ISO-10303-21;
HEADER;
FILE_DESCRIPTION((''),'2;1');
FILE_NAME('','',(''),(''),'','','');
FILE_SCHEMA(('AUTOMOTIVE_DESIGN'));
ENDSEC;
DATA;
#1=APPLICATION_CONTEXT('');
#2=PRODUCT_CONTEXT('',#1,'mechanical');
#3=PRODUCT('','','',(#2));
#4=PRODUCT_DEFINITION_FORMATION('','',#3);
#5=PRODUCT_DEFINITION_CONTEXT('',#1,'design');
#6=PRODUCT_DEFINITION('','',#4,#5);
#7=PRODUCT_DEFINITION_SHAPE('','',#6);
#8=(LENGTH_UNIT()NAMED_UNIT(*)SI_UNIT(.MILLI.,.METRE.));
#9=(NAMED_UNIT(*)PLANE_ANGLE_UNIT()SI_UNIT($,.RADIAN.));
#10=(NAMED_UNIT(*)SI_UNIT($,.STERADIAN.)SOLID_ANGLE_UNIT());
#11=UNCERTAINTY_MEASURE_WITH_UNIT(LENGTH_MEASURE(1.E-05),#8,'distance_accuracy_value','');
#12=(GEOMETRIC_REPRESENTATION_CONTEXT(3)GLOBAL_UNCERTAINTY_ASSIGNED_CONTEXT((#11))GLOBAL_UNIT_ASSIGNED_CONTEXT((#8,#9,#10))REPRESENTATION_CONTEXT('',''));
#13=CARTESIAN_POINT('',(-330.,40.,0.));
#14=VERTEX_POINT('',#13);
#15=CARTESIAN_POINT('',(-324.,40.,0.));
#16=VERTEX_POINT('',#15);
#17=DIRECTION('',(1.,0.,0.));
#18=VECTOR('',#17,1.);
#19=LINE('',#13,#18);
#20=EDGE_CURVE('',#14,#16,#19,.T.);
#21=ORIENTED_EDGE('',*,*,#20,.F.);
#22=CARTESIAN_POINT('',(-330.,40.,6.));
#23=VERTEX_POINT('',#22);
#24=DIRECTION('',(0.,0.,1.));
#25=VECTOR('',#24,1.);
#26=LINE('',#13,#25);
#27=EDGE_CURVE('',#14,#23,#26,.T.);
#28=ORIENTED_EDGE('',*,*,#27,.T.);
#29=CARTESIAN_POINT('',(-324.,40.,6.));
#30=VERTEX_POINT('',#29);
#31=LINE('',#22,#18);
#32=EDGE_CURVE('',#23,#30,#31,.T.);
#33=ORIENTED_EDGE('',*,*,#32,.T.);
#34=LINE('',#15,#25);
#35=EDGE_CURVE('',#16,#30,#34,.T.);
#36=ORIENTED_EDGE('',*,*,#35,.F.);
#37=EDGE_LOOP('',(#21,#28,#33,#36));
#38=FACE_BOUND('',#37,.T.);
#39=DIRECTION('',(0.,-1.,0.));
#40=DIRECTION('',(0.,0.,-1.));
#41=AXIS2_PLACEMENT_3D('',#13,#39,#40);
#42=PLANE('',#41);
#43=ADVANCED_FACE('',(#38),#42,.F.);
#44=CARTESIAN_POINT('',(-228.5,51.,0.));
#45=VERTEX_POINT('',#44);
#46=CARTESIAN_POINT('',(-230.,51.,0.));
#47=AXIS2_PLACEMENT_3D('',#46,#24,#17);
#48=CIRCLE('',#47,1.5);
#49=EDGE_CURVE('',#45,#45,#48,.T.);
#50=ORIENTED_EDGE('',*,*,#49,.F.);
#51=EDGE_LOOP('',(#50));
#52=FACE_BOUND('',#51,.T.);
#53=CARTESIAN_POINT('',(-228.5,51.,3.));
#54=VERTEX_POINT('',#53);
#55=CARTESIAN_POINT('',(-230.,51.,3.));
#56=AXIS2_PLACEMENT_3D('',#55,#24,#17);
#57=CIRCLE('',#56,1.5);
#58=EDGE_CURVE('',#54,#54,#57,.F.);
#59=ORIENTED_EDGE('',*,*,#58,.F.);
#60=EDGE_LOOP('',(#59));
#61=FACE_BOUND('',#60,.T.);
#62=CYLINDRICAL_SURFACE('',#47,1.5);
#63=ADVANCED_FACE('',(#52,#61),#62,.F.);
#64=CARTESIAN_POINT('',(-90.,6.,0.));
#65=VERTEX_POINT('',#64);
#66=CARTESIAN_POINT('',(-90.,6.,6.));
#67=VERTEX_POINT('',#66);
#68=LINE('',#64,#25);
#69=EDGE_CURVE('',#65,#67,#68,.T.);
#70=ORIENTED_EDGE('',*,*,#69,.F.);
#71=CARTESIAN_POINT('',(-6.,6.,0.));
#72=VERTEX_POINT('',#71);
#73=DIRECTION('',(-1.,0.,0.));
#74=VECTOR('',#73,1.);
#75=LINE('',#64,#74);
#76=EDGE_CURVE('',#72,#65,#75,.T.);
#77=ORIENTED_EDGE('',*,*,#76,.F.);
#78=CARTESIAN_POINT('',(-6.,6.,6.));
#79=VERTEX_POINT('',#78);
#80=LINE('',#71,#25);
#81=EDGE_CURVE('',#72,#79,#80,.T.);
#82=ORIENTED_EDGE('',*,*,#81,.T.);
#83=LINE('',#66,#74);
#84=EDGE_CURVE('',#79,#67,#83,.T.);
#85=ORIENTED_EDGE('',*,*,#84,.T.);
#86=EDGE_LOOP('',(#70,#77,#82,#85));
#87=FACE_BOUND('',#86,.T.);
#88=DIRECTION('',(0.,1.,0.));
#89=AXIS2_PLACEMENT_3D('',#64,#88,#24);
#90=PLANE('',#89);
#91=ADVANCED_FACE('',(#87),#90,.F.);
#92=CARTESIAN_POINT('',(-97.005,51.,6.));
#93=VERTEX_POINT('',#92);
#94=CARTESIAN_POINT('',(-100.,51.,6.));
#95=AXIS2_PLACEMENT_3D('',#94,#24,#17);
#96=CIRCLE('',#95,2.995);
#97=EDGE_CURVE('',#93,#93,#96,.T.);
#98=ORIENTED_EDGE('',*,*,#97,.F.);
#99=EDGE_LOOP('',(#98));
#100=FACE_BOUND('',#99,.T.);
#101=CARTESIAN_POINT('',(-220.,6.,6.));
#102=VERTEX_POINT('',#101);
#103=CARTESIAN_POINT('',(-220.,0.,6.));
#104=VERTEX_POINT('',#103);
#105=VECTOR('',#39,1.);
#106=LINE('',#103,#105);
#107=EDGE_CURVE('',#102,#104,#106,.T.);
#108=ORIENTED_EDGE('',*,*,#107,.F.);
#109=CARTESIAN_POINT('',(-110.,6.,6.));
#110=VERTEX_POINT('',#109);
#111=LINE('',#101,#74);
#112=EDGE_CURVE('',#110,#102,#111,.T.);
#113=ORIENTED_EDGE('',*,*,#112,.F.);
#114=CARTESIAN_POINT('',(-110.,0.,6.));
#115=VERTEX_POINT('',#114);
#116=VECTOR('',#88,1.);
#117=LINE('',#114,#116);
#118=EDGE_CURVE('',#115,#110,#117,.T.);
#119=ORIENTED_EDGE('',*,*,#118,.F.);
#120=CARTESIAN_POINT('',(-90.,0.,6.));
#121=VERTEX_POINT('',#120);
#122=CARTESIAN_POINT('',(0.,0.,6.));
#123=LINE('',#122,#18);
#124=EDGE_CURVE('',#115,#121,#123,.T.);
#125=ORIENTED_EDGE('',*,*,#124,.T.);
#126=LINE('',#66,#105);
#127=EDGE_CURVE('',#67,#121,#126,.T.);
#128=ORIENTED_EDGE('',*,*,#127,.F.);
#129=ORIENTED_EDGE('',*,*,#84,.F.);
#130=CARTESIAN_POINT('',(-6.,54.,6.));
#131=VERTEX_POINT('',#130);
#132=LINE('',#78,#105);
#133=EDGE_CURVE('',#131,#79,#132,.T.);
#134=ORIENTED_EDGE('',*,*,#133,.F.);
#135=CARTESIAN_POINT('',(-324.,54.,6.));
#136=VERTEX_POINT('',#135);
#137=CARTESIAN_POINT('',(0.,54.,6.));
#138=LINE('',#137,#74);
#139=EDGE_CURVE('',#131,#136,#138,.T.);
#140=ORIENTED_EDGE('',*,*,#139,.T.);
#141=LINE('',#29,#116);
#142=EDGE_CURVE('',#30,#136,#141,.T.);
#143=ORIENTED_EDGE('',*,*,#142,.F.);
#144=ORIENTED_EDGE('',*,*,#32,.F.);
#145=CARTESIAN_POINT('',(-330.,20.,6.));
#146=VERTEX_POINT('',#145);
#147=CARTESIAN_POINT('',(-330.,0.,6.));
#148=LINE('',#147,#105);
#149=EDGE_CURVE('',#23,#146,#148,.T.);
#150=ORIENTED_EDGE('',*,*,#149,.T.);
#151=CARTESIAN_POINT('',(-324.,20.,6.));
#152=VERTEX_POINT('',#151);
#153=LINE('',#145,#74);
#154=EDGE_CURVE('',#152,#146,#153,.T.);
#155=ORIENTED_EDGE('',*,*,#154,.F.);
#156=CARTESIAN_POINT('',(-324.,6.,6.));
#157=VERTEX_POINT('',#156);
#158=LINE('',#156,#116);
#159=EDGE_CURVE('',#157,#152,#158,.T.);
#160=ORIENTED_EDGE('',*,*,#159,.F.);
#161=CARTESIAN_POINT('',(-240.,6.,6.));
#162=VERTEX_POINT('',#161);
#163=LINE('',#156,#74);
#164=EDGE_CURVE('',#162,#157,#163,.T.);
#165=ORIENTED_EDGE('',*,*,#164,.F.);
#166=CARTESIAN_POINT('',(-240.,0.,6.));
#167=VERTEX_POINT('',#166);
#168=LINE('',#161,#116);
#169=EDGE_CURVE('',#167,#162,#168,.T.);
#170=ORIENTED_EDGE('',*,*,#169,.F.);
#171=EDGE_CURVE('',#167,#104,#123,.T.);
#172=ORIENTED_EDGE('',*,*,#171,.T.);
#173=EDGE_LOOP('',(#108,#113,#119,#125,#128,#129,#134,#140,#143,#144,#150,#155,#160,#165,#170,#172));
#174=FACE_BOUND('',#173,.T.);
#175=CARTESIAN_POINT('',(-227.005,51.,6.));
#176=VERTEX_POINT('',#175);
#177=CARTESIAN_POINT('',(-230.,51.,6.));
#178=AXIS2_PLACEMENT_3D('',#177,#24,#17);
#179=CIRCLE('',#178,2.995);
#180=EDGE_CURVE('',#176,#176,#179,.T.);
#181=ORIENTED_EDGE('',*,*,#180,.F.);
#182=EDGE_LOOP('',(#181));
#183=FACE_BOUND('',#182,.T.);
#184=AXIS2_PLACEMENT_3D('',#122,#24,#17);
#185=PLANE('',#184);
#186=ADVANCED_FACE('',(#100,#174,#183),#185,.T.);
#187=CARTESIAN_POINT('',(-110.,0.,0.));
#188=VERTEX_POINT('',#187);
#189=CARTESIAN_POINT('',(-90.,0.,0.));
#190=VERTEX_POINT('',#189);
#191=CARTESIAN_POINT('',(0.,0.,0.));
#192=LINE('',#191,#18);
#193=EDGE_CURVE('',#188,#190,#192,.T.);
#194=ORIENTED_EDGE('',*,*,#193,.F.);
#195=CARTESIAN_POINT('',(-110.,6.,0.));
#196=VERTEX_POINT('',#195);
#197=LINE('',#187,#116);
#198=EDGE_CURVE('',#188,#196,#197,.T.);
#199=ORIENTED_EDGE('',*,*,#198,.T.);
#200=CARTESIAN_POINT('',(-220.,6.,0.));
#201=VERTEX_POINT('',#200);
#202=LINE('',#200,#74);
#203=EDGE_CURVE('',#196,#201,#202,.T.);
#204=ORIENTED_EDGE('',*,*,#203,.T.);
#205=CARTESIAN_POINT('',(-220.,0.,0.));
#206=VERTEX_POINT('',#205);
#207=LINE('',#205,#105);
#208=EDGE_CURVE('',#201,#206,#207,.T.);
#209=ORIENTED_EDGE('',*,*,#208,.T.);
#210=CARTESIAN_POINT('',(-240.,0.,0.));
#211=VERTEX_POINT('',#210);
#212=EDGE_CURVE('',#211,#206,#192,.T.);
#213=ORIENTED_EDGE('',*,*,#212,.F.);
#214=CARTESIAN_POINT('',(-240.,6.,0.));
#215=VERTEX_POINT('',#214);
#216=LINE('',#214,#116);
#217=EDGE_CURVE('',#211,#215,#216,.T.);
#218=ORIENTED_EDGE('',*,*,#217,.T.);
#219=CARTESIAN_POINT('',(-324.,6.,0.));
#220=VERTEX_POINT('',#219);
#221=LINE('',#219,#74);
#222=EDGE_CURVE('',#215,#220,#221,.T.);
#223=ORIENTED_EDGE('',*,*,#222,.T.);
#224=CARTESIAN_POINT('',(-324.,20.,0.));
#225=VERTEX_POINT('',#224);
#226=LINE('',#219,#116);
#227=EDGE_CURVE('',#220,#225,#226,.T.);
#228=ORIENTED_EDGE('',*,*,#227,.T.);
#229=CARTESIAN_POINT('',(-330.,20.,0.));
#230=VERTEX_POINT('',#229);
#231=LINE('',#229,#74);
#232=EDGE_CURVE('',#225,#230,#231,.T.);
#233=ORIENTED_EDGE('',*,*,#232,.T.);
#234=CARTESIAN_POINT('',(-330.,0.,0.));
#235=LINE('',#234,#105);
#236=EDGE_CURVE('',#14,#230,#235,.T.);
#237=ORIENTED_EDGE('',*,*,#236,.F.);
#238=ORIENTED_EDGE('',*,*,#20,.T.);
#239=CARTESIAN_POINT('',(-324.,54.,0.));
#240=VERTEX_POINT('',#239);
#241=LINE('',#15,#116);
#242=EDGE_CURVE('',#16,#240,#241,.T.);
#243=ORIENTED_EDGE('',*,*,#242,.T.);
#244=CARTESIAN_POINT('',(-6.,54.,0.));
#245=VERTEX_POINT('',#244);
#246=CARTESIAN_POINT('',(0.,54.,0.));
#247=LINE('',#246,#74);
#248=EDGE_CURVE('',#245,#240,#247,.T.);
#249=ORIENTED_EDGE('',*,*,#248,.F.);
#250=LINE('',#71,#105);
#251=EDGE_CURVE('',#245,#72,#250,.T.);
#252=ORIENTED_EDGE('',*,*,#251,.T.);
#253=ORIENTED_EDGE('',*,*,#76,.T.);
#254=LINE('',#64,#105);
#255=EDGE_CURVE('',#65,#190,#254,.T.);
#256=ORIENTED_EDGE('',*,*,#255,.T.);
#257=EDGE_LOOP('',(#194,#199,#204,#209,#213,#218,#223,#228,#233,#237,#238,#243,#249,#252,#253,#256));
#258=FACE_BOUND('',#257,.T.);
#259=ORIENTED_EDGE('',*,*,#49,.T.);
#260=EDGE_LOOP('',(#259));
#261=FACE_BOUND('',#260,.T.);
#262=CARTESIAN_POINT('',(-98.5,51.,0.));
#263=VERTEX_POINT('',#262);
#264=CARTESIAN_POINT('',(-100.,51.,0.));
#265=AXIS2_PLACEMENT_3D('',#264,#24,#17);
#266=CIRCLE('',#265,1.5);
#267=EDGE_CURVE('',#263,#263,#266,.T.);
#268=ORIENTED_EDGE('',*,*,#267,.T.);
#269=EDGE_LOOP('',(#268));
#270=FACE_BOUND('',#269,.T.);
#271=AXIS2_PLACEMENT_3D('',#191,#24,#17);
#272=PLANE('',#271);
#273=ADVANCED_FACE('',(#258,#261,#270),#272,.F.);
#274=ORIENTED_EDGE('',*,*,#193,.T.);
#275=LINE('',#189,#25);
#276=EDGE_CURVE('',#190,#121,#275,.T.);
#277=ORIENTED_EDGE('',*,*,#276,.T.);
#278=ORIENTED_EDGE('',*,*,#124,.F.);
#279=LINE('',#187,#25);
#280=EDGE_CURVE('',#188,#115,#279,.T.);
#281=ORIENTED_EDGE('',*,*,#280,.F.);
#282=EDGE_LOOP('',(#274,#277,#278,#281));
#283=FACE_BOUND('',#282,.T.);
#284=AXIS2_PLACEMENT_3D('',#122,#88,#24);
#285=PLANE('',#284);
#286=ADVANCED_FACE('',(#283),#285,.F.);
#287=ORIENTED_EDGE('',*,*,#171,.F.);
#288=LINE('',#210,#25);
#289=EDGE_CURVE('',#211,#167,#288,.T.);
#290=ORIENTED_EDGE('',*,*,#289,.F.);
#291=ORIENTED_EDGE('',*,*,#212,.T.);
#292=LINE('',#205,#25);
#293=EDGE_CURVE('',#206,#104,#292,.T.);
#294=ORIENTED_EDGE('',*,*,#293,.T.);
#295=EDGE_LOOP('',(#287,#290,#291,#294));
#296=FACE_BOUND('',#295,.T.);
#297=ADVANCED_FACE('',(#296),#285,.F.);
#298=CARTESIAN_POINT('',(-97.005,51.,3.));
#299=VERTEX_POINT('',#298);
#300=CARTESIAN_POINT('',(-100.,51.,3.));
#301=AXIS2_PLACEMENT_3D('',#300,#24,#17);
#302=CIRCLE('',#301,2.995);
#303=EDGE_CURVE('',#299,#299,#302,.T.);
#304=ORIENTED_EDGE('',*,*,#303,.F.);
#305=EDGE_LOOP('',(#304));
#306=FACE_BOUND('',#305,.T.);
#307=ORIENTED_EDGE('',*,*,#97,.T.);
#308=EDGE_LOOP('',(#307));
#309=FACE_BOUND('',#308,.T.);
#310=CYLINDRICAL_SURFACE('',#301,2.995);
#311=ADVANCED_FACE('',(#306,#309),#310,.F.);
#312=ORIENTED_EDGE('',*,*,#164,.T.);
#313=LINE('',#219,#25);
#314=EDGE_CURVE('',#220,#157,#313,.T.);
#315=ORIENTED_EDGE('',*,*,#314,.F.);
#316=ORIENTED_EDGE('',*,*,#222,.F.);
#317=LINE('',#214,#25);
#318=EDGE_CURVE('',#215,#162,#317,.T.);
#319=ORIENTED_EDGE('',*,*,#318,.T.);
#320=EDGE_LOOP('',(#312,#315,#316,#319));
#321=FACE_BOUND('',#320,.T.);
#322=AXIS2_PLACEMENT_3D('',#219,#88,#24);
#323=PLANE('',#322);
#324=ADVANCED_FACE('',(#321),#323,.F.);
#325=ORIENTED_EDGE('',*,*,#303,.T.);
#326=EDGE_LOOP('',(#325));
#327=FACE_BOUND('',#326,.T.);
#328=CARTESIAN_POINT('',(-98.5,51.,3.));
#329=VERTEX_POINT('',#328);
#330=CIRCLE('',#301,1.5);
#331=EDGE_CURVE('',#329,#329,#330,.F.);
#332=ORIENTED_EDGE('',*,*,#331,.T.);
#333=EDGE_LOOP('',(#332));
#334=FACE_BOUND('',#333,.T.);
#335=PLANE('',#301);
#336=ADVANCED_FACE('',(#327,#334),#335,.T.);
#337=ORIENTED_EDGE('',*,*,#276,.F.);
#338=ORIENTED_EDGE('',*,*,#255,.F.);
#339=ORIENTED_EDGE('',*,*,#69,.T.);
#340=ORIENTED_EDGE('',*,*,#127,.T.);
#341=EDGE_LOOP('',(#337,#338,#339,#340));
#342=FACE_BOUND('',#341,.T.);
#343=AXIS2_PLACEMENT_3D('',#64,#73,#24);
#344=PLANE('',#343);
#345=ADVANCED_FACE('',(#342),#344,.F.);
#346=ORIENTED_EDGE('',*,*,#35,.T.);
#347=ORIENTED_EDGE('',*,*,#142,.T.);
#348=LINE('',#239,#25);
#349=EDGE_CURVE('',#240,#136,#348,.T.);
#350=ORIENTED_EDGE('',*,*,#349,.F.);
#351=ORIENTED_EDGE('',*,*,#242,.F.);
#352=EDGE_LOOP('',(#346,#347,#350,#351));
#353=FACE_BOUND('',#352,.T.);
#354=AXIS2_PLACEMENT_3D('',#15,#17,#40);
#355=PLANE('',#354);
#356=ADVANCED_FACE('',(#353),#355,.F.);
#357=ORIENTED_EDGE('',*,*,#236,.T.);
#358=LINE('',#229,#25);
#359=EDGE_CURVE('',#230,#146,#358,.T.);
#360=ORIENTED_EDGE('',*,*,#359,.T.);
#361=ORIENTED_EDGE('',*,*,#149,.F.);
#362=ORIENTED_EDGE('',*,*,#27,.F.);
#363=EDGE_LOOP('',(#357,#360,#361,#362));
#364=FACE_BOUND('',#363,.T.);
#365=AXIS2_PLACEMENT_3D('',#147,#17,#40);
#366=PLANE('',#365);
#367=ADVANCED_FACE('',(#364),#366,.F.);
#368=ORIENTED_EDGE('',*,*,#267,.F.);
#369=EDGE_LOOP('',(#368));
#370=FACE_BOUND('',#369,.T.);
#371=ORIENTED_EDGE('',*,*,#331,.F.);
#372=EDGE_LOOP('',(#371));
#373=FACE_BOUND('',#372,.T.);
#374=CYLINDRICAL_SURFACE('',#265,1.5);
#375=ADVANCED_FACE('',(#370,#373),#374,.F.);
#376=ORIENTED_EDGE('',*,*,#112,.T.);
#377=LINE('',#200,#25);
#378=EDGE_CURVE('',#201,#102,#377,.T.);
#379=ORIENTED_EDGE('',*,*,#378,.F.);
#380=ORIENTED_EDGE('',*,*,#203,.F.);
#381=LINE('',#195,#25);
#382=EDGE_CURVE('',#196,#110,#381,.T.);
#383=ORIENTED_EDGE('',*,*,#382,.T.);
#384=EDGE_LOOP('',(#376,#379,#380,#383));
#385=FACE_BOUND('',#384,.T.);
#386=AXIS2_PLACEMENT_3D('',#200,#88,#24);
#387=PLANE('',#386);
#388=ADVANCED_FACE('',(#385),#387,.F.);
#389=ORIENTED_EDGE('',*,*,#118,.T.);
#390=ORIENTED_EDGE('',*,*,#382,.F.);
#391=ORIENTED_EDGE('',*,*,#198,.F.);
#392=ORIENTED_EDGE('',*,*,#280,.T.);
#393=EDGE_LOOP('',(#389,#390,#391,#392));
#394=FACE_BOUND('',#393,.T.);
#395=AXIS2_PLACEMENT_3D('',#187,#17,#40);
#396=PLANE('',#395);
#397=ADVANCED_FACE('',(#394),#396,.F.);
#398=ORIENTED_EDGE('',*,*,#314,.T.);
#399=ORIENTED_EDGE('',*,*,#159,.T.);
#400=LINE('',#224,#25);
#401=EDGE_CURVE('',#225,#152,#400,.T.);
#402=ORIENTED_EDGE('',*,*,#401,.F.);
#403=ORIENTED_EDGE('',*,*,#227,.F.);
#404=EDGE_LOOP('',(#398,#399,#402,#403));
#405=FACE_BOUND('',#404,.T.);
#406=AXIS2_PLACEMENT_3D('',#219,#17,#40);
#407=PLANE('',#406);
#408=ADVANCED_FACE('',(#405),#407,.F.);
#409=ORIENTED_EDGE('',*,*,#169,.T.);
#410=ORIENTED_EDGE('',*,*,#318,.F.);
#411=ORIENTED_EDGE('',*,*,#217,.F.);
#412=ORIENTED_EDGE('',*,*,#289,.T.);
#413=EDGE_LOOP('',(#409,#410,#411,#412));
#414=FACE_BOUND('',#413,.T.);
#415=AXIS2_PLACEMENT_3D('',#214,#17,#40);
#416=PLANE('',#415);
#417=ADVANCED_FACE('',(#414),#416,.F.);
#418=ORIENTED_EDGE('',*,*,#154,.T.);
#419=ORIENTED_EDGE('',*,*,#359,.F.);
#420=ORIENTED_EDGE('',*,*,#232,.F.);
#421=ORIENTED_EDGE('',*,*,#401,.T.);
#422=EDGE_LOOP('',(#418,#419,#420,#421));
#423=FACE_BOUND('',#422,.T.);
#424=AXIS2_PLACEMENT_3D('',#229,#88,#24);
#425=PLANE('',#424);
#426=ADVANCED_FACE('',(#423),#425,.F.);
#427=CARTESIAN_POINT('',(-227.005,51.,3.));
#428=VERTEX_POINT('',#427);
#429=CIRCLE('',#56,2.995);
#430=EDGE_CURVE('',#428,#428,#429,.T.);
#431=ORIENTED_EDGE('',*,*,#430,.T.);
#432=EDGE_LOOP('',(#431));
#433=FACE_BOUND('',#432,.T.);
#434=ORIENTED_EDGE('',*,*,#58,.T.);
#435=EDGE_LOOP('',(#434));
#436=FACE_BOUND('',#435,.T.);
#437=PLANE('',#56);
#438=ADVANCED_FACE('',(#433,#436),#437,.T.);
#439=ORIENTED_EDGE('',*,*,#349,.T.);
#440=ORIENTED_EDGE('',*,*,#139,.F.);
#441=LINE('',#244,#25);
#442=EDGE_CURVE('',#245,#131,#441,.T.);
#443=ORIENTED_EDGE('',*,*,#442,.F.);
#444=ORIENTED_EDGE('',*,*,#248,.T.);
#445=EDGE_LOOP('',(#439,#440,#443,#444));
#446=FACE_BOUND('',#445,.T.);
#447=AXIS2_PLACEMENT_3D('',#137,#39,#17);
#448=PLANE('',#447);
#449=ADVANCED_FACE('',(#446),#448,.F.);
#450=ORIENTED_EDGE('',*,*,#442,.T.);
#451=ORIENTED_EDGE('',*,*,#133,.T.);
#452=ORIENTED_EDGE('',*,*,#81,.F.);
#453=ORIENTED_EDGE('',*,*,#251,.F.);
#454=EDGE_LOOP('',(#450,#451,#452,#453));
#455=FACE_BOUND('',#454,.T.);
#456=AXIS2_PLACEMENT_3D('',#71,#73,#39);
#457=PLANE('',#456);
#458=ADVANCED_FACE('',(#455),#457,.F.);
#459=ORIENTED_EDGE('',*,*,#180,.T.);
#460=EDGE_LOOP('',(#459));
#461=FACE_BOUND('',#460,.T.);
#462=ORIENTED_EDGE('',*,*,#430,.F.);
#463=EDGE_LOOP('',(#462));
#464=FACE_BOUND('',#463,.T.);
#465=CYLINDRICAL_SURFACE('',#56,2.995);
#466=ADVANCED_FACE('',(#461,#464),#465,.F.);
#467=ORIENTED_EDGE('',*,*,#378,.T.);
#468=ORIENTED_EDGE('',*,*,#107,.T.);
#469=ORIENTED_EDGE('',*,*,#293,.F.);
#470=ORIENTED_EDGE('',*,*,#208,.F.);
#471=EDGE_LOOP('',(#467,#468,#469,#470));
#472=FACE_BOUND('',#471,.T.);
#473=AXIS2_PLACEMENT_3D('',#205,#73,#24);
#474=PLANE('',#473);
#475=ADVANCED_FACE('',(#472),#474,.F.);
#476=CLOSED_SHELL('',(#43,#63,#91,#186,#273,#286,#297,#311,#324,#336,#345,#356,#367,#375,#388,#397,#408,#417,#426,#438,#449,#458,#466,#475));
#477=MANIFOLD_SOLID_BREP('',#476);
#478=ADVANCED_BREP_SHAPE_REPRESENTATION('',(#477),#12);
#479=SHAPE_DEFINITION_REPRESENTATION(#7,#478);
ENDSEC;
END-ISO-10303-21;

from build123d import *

# Parameters (mm, degrees)
ESQUISSE1_W             = 330
ESQUISSE1_H             = 54
BOSS_EXTRU_1_DEPTH      = 6
ESQUISSE2_W             = 6
ESQUISSE2_H             = 14
ESQUISSE2_W_2           = 110
ESQUISSE2_H_2           = 6
ENL_V_MAT_EXTRU_1_DEPTH = 335.442820225
ESQUISSE3_R             = 1.5
ESQUISSE3_W             = 6
ESQUISSE3_H             = 20
ENL_V_MAT_EXTRU_2_DEPTH = 6
ESQUISSE4_R             = 2.995
ENL_V_MAT_EXTRU_3_DEPTH = 3


with BuildPart() as part:
    # Esquisse1 → Boss.-Extru.1 (new body)
    with BuildSketch(Plane.XY):
        with Locations((-165, 27)):
            Rectangle(ESQUISSE1_W, ESQUISSE1_H)
    extrude(amount=BOSS_EXTRU_1_DEPTH)

    # Esquisse2 → Enlèv. mat.-Extru.1 (cut, through all)
    with BuildSketch(Plane.XY.offset(6)):
        Polygon((-330, 0), (-240, 0), (-240, 6), (-324, 6), (-324, 20), (-330, 20), align=None)
        Polygon((-90, 6), (-90, 0), (0, 0), (0, 20), (-6, 20), (-6, 6), align=None)
        with Locations((-327, 47)):
            Rectangle(ESQUISSE2_W, ESQUISSE2_H)
        with Locations((-3, 47)):
            Rectangle(ESQUISSE2_W, ESQUISSE2_H)
        with Locations((-165, 3)):
            Rectangle(ESQUISSE2_W_2, ESQUISSE2_H_2)
    extrude(amount=-ENL_V_MAT_EXTRU_1_DEPTH, mode=Mode.SUBTRACT)

    # Esquisse3 → Enlèv. mat.-Extru.2 (cut)
    with BuildSketch(Plane.XY.offset(6)):
        with Locations((-230, 51)):
            Circle(ESQUISSE3_R)
        with Locations((-100, 51)):
            Circle(ESQUISSE3_R)
        with Locations((-3, 30)):
            Rectangle(ESQUISSE3_W, ESQUISSE3_H)
    extrude(amount=-ENL_V_MAT_EXTRU_2_DEPTH, mode=Mode.SUBTRACT)

    # Esquisse4 → Enlèv. mat.-Extru.3 (cut)
    with BuildSketch(Plane.XY.offset(6)):
        with Locations((-230, 51)):
            Circle(ESQUISSE4_R)
        with Locations((-100, 51)):
            Circle(ESQUISSE4_R)
    extrude(amount=-ENL_V_MAT_EXTRU_3_DEPTH, mode=Mode.SUBTRACT)


solid = part.part
